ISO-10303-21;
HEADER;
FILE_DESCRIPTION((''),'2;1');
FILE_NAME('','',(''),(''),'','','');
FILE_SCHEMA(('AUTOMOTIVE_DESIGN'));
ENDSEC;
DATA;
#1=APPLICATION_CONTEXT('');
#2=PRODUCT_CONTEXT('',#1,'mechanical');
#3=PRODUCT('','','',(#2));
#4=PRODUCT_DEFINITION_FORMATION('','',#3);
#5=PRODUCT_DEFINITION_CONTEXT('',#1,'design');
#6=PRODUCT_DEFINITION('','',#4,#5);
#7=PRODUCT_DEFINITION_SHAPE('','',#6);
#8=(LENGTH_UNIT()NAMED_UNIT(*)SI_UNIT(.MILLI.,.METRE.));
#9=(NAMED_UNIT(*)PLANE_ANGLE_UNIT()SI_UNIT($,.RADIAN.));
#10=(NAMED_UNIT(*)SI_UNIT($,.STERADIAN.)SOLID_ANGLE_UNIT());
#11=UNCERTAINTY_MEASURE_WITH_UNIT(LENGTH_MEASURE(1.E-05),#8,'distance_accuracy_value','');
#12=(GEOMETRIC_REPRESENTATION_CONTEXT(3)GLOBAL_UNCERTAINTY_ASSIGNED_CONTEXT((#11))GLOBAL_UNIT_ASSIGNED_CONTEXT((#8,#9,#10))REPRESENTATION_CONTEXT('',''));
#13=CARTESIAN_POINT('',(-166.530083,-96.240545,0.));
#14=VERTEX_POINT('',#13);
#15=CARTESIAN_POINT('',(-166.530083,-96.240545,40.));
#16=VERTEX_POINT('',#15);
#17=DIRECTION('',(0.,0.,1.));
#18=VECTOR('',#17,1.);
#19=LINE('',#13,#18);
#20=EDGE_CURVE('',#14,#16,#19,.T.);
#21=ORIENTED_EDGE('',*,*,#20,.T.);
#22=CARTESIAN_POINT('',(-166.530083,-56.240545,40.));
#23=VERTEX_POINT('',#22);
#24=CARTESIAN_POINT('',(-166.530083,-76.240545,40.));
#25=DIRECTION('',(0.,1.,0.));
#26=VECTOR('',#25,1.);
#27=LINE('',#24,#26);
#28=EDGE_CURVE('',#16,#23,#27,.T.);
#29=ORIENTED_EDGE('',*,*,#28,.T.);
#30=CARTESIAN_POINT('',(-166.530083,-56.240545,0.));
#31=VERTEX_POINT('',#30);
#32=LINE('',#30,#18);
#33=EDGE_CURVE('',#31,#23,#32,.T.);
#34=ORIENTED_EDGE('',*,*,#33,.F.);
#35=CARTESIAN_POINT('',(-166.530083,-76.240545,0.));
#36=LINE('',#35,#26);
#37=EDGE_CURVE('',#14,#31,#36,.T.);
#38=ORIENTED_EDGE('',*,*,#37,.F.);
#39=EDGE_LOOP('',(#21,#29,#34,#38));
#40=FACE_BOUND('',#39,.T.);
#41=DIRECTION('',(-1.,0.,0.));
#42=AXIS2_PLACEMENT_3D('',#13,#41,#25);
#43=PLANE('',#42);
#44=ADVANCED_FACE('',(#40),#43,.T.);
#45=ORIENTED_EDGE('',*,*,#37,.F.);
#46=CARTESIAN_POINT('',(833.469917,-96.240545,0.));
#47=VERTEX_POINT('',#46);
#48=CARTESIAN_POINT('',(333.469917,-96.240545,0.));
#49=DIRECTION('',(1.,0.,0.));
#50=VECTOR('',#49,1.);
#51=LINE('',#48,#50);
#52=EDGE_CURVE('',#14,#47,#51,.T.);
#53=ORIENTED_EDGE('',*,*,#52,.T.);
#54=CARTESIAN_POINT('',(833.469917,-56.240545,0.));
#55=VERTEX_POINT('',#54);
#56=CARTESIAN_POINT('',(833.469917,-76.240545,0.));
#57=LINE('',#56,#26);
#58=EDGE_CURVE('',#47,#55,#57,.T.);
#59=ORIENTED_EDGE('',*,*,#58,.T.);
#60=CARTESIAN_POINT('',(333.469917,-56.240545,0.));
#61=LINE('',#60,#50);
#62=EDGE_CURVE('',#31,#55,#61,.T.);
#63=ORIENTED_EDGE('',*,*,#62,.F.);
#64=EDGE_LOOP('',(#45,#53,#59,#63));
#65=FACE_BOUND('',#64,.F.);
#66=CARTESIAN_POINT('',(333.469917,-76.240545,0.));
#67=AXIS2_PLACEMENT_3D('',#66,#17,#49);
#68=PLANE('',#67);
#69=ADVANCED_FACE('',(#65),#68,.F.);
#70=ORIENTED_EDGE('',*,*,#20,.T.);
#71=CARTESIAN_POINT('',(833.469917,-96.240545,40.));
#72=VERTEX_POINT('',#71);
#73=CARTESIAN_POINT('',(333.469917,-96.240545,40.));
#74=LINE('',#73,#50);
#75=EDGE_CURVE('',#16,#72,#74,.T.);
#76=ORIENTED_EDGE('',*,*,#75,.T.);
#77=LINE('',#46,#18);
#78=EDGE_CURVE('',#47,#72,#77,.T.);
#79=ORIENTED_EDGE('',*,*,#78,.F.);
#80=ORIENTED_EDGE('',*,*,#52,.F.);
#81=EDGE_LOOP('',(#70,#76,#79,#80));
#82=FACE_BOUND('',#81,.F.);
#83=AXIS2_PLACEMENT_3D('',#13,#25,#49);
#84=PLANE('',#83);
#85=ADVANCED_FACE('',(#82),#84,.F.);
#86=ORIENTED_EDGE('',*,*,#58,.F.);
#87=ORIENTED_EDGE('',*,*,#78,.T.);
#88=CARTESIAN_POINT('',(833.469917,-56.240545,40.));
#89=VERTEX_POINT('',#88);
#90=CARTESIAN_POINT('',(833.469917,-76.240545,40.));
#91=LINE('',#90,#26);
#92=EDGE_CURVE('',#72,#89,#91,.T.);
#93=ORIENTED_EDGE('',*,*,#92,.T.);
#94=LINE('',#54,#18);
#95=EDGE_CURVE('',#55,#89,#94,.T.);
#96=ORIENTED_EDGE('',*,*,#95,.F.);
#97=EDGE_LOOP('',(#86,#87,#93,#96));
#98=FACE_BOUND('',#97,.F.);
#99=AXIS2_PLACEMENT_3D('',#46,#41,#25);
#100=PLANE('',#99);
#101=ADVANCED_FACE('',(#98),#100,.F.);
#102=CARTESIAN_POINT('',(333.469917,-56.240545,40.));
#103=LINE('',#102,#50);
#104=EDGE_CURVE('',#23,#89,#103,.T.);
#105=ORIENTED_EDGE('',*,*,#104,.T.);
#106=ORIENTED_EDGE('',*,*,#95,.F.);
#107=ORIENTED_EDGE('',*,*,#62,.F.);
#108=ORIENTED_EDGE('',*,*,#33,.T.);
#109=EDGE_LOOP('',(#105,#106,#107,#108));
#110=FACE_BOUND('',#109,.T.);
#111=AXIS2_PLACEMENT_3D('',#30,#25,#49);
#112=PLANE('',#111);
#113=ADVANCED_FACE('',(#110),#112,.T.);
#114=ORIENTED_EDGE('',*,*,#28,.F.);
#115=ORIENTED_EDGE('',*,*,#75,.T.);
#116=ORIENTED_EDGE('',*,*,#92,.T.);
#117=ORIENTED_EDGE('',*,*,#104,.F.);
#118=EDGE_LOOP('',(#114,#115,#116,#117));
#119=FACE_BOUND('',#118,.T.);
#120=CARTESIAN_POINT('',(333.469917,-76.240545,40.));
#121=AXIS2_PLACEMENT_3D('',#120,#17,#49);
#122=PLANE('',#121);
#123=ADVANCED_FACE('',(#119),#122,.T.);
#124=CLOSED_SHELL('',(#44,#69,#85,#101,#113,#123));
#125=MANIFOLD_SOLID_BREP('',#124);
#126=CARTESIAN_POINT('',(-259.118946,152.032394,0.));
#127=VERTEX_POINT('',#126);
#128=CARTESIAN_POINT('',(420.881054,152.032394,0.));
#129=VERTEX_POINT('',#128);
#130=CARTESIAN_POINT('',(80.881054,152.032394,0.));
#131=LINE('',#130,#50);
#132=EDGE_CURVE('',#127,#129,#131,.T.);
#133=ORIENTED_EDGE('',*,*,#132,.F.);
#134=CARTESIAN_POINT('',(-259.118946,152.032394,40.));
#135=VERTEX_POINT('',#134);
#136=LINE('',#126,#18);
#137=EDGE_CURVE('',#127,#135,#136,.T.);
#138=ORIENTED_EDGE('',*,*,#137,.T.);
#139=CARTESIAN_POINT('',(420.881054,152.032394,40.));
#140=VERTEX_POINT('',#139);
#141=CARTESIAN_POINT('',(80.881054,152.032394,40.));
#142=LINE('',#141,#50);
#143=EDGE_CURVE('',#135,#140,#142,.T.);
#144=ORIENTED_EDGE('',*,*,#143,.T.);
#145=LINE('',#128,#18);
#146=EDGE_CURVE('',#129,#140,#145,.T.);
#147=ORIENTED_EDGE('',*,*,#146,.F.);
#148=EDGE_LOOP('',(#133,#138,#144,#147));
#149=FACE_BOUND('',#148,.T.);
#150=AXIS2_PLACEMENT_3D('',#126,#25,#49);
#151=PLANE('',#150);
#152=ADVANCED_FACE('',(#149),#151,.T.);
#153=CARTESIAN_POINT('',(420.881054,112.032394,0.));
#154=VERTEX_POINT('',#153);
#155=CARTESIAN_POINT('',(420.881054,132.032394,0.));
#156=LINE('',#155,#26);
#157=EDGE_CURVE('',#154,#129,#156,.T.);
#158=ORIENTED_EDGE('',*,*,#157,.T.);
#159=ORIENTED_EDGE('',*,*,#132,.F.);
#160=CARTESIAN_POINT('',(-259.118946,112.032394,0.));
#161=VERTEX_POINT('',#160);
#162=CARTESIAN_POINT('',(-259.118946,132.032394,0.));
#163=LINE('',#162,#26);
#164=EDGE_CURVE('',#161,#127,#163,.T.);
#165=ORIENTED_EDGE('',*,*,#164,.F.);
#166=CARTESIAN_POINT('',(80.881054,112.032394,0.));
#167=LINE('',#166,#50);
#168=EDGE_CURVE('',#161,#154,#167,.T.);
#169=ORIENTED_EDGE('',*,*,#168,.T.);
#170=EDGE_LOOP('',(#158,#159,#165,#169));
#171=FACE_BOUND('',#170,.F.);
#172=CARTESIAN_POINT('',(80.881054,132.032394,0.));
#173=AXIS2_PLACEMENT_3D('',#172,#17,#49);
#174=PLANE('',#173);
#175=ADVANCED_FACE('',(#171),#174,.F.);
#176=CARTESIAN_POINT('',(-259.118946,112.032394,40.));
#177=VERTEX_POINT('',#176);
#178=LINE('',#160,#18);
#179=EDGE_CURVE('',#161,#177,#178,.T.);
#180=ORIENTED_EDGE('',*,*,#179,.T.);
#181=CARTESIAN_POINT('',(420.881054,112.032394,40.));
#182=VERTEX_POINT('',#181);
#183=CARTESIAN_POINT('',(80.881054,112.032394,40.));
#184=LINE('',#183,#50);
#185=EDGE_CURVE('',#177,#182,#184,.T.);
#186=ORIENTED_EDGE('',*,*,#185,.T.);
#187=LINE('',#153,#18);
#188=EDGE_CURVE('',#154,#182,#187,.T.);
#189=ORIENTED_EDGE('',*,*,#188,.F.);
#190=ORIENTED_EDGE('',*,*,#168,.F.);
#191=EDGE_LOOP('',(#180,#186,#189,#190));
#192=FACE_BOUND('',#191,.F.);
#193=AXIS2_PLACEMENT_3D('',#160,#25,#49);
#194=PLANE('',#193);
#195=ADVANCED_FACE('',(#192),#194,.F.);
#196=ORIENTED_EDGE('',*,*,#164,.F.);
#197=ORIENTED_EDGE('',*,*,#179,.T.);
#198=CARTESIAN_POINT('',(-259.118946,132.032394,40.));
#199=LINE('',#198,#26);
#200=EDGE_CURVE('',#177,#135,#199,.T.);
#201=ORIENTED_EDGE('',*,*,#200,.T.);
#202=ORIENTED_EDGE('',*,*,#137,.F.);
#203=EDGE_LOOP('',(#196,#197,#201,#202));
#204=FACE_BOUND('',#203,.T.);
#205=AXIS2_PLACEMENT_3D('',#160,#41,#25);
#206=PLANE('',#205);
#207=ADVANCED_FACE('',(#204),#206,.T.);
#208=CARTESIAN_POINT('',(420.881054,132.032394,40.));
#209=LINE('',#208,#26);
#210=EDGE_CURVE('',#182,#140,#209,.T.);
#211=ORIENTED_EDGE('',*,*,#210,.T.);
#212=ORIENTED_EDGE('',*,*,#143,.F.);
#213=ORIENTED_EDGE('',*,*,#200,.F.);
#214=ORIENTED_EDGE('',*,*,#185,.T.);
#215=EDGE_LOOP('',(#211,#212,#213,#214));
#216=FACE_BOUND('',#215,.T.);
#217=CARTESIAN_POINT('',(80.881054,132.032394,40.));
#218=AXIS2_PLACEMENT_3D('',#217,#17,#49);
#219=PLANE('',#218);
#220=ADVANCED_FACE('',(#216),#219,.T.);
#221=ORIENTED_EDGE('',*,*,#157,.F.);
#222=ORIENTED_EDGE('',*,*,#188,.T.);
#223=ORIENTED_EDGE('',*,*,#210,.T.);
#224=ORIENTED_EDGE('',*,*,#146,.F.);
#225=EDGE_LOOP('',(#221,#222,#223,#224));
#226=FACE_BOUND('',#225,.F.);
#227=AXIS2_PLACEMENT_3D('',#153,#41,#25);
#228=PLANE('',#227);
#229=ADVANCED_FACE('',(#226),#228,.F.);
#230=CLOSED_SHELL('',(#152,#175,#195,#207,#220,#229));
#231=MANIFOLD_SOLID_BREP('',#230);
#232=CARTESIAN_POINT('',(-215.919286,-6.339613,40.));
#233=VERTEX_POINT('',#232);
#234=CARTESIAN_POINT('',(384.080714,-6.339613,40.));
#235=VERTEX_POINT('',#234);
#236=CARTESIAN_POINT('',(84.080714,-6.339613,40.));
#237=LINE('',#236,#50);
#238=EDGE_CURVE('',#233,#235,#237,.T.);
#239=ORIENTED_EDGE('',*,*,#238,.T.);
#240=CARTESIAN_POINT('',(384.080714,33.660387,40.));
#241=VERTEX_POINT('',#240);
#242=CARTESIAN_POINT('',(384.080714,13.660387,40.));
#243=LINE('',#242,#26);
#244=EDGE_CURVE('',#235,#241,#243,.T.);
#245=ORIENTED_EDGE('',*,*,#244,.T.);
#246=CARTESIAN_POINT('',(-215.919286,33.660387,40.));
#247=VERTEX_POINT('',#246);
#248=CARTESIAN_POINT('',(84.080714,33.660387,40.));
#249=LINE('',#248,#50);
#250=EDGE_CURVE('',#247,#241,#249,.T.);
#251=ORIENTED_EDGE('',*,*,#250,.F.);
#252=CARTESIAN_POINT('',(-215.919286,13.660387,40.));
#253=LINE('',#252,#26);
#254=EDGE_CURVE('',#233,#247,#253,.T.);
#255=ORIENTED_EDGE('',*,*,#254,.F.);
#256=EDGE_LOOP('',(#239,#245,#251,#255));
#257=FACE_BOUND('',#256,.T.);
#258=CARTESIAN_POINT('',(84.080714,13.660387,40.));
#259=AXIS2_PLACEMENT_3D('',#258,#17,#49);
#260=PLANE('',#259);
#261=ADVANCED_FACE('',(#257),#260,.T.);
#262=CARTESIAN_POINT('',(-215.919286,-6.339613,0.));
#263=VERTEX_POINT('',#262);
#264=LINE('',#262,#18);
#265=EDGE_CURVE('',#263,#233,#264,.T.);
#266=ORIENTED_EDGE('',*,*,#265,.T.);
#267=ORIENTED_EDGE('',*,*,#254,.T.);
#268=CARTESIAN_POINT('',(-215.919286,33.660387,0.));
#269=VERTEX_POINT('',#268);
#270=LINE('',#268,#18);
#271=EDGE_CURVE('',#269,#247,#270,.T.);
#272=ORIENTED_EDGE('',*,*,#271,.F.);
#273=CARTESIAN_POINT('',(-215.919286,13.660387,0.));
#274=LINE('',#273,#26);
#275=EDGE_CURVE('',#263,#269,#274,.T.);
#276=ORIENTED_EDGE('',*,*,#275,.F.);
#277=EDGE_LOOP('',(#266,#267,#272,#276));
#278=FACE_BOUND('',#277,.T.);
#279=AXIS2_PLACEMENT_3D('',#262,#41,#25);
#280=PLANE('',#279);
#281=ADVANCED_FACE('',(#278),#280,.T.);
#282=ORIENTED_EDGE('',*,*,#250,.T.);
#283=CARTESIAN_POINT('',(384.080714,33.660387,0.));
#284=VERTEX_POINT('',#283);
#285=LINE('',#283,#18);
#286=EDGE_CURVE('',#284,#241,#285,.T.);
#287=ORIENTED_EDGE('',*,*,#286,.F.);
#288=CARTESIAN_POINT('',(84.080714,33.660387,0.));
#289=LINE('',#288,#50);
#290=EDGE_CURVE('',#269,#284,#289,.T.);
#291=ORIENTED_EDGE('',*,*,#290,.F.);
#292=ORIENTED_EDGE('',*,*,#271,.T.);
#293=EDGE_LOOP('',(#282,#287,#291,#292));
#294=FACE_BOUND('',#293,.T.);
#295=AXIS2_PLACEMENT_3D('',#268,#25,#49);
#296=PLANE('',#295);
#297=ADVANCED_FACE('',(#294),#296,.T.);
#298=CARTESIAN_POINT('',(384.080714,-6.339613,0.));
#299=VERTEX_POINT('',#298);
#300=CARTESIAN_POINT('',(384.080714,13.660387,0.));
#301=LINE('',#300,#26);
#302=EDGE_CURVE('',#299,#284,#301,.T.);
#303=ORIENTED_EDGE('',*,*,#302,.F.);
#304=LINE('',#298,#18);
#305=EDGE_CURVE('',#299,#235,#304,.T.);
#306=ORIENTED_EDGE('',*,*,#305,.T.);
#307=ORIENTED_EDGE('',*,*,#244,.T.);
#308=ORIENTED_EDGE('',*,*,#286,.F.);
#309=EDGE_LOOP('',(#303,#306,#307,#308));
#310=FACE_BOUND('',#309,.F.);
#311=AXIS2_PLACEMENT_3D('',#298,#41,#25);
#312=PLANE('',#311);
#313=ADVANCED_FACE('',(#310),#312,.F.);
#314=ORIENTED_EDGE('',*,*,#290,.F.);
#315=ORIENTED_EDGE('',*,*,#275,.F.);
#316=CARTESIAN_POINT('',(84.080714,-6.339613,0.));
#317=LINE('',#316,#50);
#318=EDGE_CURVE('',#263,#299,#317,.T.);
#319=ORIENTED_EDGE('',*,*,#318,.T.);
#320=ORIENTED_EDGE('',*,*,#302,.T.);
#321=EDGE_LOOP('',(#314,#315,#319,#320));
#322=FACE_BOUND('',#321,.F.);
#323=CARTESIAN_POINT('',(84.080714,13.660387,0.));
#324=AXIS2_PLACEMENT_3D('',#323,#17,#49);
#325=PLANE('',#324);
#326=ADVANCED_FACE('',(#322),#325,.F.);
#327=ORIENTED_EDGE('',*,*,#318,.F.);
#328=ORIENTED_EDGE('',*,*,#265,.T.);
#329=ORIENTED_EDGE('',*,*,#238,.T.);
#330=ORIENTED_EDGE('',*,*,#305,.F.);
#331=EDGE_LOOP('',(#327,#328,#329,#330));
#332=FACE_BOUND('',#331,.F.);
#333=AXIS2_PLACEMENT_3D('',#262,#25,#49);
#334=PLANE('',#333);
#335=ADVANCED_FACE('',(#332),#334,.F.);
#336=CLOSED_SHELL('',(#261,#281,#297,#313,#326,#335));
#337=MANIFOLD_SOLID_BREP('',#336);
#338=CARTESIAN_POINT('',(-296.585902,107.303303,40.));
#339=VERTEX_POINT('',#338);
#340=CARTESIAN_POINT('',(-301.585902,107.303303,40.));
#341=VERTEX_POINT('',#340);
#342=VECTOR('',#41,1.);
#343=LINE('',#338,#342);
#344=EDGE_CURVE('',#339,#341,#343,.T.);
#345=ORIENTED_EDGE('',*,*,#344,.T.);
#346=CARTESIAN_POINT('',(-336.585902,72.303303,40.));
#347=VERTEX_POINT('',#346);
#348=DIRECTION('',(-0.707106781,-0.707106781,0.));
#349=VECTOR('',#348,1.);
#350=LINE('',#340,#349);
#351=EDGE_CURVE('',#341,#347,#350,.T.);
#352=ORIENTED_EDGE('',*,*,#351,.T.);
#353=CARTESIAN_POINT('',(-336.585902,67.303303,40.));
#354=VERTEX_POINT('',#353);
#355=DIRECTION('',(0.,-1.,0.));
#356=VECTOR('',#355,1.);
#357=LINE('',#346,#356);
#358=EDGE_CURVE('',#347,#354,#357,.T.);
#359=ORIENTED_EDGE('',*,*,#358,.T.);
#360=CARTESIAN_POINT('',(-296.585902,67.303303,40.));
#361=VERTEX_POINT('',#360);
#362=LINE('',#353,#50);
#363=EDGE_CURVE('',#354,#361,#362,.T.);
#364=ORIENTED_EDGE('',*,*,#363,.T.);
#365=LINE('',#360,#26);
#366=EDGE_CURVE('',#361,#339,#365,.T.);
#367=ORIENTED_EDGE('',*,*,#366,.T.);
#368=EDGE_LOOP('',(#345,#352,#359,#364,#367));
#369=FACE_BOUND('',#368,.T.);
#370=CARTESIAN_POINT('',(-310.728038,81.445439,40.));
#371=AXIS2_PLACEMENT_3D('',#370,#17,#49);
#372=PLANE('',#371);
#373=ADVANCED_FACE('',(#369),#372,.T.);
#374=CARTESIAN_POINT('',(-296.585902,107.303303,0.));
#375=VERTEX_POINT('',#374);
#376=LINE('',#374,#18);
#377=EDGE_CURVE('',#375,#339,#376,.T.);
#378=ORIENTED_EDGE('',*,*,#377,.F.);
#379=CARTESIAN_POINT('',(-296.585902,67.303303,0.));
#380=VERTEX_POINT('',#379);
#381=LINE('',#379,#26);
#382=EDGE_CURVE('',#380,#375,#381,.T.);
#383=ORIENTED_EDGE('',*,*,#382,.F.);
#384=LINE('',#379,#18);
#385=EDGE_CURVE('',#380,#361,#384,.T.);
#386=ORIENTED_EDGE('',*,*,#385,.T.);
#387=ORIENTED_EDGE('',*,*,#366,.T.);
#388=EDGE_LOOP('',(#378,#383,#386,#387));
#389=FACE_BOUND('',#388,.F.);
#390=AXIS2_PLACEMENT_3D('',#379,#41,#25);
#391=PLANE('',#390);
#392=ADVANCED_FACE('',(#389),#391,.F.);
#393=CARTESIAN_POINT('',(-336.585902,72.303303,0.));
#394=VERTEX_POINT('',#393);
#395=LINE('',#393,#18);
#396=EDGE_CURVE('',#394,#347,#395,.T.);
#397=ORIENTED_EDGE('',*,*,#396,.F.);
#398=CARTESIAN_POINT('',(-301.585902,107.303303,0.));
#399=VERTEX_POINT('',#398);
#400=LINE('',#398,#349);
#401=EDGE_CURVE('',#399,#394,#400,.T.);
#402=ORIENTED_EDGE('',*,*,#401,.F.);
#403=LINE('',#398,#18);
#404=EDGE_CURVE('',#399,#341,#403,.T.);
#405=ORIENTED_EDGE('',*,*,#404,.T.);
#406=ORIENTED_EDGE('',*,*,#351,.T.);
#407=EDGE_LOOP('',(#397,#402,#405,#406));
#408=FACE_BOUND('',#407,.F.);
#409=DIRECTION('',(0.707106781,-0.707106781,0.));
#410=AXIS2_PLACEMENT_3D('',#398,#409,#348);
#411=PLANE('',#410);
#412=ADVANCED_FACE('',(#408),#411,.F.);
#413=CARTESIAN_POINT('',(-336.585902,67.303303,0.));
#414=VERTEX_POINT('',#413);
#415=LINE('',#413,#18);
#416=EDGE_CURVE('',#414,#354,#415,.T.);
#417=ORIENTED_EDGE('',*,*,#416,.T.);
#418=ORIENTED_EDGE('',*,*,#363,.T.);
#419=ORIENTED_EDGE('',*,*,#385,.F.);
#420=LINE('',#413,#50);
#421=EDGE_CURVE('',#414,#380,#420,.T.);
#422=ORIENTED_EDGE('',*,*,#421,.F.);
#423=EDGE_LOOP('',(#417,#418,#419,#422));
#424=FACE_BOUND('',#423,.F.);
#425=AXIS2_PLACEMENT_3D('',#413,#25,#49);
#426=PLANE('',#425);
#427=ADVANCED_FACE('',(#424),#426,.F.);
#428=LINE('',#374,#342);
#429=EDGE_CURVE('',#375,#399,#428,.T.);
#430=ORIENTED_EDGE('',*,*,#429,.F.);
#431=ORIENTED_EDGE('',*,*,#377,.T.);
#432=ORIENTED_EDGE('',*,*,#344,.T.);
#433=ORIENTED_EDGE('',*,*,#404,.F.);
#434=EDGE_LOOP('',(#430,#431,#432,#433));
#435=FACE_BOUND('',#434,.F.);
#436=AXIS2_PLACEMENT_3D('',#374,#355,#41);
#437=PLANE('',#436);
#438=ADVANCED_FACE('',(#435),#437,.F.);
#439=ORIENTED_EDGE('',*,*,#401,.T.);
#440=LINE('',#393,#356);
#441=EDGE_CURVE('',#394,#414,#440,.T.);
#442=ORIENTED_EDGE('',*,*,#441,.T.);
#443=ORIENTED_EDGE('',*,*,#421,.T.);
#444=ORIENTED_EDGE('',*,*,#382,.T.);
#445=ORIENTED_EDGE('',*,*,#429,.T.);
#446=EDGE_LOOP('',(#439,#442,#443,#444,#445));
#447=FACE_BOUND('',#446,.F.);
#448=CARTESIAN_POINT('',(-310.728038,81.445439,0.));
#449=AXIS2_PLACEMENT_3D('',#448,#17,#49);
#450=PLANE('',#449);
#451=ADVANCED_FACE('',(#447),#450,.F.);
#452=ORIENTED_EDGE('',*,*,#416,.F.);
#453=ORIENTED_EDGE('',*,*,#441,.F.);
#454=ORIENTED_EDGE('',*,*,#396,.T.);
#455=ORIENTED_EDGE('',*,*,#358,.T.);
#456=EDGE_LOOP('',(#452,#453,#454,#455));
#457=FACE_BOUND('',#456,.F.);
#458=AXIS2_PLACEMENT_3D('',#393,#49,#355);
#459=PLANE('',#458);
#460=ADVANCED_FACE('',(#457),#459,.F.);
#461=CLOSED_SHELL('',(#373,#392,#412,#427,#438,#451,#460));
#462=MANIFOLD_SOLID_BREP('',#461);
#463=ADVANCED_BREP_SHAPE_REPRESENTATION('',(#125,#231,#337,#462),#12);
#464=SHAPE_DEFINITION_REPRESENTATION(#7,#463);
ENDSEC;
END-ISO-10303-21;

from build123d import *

# Parameters (mm, degrees)
F0_W     = 600
F0_H     = 40
F1_DEPTH = 40
F2_W     = 1000
F2_H     = 40
F3_DEPTH = 40
F5_DEPTH = 40
F6_W     = 680
F6_H     = 40
F7_DEPTH = 40


with BuildPart() as f1:
    # F0 (on Top) → F1 (new body)
    with BuildSketch(Plane.XY):
        with Locations((84.080714, 13.660387)):
            Rectangle(F0_W, F0_H)
    extrude(amount=F1_DEPTH)


with BuildPart() as f3:
    # F2 (on Top) → F3 (new body)
    with BuildSketch(Plane.XY):
        with Locations((333.469917, -76.240545)):
            Rectangle(F2_W, F2_H)
    extrude(amount=F3_DEPTH)


with BuildPart() as f5:
    # F4 (on Top) → F5 (new body)
    with BuildSketch(Plane.XY):
        Polygon((-296.585902, 107.303303), (-336.585902, 67.303303), (-296.585902, 67.303303), align=None)
        Polygon((-336.585902, 72.303303), (-336.585902, 67.303303), (-296.585902, 107.303303), (-301.585902, 107.303303), align=None)
    extrude(amount=F5_DEPTH)


with BuildPart() as f7:
    # F6 (on Top) → F7 (new body)
    with BuildSketch(Plane.XY):
        with Locations((80.881054, 132.032394)):
            Rectangle(F6_W, F6_H)
    extrude(amount=F7_DEPTH)


solid = Compound([f1.part, f3.part, f5.part, f7.part])
